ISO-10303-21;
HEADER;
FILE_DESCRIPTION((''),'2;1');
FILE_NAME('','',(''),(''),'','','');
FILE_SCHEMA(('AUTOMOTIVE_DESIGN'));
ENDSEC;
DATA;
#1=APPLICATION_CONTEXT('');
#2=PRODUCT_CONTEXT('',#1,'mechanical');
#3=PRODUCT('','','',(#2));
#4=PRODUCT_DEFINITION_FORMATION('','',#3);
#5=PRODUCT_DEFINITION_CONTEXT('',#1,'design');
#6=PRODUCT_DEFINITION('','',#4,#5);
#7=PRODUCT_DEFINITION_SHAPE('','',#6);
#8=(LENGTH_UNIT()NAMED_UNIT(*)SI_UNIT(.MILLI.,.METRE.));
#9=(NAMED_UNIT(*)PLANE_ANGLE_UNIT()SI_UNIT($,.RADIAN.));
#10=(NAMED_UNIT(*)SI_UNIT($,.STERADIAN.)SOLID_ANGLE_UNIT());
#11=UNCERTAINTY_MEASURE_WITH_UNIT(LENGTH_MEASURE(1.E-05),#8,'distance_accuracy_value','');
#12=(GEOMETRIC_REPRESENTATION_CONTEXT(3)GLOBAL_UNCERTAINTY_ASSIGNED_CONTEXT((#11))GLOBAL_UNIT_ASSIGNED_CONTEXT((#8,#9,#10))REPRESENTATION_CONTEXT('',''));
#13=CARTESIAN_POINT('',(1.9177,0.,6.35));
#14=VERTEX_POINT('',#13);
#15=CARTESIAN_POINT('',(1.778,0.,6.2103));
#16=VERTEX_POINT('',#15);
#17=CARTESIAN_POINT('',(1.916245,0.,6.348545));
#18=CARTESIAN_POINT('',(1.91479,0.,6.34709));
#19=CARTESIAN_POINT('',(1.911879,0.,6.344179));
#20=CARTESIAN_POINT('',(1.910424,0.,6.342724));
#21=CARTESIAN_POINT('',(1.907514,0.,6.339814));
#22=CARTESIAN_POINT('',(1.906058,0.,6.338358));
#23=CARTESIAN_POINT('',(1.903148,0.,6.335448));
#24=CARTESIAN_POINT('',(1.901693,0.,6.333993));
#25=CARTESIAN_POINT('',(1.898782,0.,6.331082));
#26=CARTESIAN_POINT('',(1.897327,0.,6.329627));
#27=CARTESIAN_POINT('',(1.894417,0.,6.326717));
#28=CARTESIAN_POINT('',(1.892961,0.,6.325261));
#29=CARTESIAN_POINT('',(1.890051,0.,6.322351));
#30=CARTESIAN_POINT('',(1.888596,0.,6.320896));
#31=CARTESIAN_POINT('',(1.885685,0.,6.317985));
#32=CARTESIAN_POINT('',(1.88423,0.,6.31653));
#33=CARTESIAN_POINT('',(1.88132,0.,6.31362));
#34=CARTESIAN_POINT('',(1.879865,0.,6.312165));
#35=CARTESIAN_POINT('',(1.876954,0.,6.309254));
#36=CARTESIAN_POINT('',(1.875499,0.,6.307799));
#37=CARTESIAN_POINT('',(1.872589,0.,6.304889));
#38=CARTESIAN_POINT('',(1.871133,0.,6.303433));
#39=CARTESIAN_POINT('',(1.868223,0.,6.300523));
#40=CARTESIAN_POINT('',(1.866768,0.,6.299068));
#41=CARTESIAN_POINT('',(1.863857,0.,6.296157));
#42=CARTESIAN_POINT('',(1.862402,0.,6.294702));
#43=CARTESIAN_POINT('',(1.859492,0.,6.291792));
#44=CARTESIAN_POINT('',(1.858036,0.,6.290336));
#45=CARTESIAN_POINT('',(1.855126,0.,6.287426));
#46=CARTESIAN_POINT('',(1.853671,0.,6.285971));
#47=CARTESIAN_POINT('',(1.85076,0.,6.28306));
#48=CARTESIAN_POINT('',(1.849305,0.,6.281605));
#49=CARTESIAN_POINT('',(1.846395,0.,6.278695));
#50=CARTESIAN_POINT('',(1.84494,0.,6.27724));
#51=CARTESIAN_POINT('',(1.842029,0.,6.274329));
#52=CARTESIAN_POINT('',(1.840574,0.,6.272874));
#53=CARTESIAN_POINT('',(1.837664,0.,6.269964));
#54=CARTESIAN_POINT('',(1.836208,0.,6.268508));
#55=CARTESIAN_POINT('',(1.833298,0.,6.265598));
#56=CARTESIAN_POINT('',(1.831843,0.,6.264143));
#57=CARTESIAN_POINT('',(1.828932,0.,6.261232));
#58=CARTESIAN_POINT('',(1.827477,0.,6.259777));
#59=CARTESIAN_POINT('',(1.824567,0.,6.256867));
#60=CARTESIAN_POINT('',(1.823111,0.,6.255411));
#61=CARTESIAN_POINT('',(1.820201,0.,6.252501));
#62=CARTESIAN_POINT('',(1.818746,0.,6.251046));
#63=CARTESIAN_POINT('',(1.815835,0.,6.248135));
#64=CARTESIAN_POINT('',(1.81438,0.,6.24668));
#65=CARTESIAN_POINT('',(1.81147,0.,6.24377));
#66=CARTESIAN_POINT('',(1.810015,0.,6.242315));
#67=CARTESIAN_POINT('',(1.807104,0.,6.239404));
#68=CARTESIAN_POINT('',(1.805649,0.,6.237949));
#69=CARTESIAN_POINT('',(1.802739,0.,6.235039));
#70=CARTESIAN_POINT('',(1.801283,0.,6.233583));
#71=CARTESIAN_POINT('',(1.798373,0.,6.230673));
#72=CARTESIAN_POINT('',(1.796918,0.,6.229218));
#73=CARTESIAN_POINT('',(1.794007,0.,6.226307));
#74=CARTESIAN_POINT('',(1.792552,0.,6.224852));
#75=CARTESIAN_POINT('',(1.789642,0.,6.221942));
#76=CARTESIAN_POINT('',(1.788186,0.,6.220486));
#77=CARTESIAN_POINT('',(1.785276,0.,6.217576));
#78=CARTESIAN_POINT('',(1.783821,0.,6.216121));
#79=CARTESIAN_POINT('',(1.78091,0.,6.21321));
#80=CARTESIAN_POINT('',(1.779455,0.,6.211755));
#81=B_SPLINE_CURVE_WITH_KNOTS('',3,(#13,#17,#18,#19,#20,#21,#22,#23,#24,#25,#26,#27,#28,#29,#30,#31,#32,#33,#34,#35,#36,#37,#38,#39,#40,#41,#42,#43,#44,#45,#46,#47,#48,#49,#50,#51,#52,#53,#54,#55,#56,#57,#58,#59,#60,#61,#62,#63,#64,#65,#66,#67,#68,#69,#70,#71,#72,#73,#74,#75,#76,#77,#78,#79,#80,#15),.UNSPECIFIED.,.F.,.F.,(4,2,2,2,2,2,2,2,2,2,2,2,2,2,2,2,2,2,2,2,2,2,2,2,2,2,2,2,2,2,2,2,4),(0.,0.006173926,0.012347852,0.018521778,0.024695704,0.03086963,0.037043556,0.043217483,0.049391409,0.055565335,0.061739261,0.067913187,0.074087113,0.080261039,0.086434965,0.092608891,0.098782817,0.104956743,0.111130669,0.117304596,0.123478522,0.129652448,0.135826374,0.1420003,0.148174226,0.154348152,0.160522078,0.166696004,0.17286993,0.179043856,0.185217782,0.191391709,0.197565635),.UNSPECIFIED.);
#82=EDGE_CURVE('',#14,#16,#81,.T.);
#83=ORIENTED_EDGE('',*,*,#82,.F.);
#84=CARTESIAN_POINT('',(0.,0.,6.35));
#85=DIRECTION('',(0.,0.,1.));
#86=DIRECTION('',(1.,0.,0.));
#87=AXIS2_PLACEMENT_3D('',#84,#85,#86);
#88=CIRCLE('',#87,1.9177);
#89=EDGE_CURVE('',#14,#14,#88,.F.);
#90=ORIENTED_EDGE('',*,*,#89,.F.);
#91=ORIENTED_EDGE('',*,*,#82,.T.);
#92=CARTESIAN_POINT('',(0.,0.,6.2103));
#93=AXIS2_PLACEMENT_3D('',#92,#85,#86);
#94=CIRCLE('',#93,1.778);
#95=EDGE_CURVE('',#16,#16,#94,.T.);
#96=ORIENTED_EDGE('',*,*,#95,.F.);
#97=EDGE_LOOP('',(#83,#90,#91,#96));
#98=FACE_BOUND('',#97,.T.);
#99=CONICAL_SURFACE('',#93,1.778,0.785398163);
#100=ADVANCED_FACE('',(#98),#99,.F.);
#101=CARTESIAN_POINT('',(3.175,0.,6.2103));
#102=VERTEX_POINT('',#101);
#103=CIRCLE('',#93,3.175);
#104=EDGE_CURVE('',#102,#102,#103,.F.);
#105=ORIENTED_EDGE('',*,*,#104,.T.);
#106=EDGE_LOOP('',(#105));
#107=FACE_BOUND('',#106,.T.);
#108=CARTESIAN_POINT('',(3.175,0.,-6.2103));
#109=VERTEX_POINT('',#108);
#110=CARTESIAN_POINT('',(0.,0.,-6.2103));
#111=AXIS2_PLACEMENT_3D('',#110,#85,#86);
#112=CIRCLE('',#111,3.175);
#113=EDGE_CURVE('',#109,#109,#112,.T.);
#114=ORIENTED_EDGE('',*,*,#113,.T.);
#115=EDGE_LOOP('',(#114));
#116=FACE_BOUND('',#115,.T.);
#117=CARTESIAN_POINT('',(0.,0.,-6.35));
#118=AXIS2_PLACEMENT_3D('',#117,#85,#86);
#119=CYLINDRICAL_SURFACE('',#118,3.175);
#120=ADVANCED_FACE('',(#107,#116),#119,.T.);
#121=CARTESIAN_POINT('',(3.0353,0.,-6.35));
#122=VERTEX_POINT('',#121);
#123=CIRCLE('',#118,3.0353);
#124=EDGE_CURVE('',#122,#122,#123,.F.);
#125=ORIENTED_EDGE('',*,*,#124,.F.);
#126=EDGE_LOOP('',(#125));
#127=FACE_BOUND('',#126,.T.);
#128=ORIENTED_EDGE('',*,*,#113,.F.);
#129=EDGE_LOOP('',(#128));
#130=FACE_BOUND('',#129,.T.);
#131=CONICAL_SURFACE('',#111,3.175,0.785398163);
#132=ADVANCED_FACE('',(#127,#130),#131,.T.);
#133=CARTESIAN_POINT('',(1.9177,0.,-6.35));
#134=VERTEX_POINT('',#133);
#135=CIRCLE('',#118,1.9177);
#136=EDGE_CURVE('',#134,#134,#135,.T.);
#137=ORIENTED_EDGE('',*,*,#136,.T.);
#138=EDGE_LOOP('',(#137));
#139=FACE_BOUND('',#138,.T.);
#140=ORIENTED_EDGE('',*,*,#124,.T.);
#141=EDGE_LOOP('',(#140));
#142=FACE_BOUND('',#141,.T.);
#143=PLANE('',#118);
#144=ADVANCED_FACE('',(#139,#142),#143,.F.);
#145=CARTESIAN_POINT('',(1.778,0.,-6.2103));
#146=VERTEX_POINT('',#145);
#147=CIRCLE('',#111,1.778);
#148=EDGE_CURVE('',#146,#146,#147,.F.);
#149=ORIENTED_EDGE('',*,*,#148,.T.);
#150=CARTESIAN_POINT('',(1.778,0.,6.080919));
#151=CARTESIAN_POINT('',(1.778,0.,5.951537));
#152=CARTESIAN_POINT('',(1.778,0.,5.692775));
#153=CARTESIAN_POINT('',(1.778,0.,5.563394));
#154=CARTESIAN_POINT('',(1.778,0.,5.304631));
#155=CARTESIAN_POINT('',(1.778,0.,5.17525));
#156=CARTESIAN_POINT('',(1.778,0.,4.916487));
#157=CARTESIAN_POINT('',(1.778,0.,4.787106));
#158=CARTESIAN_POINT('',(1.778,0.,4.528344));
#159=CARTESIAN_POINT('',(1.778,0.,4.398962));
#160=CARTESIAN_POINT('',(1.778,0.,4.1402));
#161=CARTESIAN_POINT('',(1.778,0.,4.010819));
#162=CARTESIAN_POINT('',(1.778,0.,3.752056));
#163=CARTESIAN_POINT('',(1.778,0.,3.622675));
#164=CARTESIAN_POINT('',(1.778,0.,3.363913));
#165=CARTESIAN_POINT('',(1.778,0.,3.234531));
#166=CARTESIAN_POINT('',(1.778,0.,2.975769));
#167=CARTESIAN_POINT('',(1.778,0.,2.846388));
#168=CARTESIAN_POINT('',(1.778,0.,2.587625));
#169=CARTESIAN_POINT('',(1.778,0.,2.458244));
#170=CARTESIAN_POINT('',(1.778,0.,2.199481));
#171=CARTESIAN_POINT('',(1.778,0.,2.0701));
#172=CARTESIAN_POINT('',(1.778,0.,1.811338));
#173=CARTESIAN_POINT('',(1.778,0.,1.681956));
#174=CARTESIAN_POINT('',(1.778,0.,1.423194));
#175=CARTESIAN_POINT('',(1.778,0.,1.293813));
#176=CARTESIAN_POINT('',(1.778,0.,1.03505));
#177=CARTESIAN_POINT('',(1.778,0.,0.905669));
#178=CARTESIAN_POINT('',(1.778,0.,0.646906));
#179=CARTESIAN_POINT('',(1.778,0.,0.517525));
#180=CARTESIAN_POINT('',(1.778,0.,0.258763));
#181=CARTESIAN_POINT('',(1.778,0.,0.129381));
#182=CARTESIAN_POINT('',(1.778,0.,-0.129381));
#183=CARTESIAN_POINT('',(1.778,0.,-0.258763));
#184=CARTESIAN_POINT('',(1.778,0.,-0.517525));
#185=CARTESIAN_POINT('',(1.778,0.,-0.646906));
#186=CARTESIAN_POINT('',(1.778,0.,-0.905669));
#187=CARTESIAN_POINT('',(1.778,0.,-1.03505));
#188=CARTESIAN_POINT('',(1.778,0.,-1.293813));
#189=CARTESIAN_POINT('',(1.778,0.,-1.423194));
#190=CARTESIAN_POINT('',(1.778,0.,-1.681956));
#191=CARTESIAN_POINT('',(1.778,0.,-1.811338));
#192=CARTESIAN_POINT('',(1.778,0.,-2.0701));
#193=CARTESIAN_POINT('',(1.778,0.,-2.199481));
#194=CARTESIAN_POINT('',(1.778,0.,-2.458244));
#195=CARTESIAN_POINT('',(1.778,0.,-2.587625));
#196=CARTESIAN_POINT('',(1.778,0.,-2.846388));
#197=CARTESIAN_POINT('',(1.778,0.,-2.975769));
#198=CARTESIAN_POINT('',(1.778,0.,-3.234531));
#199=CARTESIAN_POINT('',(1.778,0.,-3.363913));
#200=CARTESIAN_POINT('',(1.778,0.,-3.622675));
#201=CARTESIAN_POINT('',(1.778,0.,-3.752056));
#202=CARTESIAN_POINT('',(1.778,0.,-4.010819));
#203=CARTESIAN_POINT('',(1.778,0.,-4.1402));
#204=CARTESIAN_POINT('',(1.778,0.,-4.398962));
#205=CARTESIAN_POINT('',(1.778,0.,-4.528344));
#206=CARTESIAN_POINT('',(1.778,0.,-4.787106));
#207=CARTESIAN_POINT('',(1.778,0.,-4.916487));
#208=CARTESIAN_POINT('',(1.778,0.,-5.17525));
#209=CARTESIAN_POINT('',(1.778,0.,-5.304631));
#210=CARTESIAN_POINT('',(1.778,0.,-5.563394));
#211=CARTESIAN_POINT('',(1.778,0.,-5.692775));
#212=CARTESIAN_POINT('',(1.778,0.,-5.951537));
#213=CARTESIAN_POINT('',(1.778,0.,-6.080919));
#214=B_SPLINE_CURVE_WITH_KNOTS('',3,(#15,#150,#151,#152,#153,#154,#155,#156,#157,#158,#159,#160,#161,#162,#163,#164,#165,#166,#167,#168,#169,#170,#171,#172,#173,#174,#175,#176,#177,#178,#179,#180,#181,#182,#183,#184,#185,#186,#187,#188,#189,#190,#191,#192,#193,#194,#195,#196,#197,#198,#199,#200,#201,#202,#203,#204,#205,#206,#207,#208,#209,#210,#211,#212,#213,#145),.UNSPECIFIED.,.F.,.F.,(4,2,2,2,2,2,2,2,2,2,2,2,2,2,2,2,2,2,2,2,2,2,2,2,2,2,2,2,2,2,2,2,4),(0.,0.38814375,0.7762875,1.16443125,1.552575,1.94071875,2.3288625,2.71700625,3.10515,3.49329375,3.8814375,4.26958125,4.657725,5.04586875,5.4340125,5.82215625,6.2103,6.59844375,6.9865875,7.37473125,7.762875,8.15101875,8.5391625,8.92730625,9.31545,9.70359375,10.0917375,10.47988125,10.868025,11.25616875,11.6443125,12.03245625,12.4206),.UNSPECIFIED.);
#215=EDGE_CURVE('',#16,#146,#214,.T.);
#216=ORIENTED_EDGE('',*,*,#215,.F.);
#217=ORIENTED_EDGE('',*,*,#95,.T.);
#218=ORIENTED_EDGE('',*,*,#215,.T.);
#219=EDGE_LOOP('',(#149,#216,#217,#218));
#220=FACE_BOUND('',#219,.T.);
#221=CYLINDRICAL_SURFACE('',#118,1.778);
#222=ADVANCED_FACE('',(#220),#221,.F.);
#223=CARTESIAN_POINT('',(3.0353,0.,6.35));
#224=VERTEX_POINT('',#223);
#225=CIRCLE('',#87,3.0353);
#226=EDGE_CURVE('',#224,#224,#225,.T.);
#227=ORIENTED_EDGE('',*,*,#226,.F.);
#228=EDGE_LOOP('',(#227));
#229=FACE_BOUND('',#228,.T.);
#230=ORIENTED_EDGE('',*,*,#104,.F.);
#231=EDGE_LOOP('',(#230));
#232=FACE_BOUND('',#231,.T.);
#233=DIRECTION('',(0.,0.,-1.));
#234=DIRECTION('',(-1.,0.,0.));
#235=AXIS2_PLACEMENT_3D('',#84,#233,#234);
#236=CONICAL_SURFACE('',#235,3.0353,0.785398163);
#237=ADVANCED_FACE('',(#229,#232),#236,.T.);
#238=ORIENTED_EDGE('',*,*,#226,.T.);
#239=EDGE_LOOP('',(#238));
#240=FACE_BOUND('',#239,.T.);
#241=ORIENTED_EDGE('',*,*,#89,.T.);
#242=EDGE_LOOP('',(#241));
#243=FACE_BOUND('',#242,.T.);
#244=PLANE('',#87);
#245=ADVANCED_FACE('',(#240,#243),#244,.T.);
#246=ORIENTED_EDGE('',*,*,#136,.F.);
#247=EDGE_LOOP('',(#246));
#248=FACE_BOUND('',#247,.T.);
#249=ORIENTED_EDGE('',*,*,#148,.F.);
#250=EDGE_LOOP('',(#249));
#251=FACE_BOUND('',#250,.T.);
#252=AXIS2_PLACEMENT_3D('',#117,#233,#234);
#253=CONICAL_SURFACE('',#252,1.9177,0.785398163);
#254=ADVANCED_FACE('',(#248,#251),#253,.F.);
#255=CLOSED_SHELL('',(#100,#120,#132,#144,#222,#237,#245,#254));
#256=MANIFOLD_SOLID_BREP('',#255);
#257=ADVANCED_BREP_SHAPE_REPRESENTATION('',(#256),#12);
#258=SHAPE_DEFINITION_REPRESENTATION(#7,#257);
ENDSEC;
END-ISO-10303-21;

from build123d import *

# Parameters (mm, degrees)
BOSS_EXTRUDE1_DEPTH      = 6.35
BOSS_EXTRUDE1_DEPTH_BACK = 6.35
SKETCH3_R                = 3.175
SKETCH3_R_2              = 1.778
CHAMFER1_SIZE            = 0.1397


with BuildPart() as part:
    # Sketch3 → Boss-Extrude1 (new, two sides: drawn at the far end of the back side and taken through both)
    with BuildSketch(Plane.XY.offset(-BOSS_EXTRUDE1_DEPTH_BACK)):
        Circle(SKETCH3_R)
        Circle(SKETCH3_R_2, mode=Mode.SUBTRACT)
    extrude(amount=BOSS_EXTRUDE1_DEPTH + BOSS_EXTRUDE1_DEPTH_BACK)

    # Chamfer1
    chamfer1_edges = [part.edges().sort_by_distance(p)[0] for p in [
        (-3.175, 0, -6.35),
        (-1.778, 0, -6.35),
        (-3.175, 0, 6.35),
        (-1.778, 0, 6.35),
    ]]
    chamfer(chamfer1_edges, length=CHAMFER1_SIZE)


solid = part.part
